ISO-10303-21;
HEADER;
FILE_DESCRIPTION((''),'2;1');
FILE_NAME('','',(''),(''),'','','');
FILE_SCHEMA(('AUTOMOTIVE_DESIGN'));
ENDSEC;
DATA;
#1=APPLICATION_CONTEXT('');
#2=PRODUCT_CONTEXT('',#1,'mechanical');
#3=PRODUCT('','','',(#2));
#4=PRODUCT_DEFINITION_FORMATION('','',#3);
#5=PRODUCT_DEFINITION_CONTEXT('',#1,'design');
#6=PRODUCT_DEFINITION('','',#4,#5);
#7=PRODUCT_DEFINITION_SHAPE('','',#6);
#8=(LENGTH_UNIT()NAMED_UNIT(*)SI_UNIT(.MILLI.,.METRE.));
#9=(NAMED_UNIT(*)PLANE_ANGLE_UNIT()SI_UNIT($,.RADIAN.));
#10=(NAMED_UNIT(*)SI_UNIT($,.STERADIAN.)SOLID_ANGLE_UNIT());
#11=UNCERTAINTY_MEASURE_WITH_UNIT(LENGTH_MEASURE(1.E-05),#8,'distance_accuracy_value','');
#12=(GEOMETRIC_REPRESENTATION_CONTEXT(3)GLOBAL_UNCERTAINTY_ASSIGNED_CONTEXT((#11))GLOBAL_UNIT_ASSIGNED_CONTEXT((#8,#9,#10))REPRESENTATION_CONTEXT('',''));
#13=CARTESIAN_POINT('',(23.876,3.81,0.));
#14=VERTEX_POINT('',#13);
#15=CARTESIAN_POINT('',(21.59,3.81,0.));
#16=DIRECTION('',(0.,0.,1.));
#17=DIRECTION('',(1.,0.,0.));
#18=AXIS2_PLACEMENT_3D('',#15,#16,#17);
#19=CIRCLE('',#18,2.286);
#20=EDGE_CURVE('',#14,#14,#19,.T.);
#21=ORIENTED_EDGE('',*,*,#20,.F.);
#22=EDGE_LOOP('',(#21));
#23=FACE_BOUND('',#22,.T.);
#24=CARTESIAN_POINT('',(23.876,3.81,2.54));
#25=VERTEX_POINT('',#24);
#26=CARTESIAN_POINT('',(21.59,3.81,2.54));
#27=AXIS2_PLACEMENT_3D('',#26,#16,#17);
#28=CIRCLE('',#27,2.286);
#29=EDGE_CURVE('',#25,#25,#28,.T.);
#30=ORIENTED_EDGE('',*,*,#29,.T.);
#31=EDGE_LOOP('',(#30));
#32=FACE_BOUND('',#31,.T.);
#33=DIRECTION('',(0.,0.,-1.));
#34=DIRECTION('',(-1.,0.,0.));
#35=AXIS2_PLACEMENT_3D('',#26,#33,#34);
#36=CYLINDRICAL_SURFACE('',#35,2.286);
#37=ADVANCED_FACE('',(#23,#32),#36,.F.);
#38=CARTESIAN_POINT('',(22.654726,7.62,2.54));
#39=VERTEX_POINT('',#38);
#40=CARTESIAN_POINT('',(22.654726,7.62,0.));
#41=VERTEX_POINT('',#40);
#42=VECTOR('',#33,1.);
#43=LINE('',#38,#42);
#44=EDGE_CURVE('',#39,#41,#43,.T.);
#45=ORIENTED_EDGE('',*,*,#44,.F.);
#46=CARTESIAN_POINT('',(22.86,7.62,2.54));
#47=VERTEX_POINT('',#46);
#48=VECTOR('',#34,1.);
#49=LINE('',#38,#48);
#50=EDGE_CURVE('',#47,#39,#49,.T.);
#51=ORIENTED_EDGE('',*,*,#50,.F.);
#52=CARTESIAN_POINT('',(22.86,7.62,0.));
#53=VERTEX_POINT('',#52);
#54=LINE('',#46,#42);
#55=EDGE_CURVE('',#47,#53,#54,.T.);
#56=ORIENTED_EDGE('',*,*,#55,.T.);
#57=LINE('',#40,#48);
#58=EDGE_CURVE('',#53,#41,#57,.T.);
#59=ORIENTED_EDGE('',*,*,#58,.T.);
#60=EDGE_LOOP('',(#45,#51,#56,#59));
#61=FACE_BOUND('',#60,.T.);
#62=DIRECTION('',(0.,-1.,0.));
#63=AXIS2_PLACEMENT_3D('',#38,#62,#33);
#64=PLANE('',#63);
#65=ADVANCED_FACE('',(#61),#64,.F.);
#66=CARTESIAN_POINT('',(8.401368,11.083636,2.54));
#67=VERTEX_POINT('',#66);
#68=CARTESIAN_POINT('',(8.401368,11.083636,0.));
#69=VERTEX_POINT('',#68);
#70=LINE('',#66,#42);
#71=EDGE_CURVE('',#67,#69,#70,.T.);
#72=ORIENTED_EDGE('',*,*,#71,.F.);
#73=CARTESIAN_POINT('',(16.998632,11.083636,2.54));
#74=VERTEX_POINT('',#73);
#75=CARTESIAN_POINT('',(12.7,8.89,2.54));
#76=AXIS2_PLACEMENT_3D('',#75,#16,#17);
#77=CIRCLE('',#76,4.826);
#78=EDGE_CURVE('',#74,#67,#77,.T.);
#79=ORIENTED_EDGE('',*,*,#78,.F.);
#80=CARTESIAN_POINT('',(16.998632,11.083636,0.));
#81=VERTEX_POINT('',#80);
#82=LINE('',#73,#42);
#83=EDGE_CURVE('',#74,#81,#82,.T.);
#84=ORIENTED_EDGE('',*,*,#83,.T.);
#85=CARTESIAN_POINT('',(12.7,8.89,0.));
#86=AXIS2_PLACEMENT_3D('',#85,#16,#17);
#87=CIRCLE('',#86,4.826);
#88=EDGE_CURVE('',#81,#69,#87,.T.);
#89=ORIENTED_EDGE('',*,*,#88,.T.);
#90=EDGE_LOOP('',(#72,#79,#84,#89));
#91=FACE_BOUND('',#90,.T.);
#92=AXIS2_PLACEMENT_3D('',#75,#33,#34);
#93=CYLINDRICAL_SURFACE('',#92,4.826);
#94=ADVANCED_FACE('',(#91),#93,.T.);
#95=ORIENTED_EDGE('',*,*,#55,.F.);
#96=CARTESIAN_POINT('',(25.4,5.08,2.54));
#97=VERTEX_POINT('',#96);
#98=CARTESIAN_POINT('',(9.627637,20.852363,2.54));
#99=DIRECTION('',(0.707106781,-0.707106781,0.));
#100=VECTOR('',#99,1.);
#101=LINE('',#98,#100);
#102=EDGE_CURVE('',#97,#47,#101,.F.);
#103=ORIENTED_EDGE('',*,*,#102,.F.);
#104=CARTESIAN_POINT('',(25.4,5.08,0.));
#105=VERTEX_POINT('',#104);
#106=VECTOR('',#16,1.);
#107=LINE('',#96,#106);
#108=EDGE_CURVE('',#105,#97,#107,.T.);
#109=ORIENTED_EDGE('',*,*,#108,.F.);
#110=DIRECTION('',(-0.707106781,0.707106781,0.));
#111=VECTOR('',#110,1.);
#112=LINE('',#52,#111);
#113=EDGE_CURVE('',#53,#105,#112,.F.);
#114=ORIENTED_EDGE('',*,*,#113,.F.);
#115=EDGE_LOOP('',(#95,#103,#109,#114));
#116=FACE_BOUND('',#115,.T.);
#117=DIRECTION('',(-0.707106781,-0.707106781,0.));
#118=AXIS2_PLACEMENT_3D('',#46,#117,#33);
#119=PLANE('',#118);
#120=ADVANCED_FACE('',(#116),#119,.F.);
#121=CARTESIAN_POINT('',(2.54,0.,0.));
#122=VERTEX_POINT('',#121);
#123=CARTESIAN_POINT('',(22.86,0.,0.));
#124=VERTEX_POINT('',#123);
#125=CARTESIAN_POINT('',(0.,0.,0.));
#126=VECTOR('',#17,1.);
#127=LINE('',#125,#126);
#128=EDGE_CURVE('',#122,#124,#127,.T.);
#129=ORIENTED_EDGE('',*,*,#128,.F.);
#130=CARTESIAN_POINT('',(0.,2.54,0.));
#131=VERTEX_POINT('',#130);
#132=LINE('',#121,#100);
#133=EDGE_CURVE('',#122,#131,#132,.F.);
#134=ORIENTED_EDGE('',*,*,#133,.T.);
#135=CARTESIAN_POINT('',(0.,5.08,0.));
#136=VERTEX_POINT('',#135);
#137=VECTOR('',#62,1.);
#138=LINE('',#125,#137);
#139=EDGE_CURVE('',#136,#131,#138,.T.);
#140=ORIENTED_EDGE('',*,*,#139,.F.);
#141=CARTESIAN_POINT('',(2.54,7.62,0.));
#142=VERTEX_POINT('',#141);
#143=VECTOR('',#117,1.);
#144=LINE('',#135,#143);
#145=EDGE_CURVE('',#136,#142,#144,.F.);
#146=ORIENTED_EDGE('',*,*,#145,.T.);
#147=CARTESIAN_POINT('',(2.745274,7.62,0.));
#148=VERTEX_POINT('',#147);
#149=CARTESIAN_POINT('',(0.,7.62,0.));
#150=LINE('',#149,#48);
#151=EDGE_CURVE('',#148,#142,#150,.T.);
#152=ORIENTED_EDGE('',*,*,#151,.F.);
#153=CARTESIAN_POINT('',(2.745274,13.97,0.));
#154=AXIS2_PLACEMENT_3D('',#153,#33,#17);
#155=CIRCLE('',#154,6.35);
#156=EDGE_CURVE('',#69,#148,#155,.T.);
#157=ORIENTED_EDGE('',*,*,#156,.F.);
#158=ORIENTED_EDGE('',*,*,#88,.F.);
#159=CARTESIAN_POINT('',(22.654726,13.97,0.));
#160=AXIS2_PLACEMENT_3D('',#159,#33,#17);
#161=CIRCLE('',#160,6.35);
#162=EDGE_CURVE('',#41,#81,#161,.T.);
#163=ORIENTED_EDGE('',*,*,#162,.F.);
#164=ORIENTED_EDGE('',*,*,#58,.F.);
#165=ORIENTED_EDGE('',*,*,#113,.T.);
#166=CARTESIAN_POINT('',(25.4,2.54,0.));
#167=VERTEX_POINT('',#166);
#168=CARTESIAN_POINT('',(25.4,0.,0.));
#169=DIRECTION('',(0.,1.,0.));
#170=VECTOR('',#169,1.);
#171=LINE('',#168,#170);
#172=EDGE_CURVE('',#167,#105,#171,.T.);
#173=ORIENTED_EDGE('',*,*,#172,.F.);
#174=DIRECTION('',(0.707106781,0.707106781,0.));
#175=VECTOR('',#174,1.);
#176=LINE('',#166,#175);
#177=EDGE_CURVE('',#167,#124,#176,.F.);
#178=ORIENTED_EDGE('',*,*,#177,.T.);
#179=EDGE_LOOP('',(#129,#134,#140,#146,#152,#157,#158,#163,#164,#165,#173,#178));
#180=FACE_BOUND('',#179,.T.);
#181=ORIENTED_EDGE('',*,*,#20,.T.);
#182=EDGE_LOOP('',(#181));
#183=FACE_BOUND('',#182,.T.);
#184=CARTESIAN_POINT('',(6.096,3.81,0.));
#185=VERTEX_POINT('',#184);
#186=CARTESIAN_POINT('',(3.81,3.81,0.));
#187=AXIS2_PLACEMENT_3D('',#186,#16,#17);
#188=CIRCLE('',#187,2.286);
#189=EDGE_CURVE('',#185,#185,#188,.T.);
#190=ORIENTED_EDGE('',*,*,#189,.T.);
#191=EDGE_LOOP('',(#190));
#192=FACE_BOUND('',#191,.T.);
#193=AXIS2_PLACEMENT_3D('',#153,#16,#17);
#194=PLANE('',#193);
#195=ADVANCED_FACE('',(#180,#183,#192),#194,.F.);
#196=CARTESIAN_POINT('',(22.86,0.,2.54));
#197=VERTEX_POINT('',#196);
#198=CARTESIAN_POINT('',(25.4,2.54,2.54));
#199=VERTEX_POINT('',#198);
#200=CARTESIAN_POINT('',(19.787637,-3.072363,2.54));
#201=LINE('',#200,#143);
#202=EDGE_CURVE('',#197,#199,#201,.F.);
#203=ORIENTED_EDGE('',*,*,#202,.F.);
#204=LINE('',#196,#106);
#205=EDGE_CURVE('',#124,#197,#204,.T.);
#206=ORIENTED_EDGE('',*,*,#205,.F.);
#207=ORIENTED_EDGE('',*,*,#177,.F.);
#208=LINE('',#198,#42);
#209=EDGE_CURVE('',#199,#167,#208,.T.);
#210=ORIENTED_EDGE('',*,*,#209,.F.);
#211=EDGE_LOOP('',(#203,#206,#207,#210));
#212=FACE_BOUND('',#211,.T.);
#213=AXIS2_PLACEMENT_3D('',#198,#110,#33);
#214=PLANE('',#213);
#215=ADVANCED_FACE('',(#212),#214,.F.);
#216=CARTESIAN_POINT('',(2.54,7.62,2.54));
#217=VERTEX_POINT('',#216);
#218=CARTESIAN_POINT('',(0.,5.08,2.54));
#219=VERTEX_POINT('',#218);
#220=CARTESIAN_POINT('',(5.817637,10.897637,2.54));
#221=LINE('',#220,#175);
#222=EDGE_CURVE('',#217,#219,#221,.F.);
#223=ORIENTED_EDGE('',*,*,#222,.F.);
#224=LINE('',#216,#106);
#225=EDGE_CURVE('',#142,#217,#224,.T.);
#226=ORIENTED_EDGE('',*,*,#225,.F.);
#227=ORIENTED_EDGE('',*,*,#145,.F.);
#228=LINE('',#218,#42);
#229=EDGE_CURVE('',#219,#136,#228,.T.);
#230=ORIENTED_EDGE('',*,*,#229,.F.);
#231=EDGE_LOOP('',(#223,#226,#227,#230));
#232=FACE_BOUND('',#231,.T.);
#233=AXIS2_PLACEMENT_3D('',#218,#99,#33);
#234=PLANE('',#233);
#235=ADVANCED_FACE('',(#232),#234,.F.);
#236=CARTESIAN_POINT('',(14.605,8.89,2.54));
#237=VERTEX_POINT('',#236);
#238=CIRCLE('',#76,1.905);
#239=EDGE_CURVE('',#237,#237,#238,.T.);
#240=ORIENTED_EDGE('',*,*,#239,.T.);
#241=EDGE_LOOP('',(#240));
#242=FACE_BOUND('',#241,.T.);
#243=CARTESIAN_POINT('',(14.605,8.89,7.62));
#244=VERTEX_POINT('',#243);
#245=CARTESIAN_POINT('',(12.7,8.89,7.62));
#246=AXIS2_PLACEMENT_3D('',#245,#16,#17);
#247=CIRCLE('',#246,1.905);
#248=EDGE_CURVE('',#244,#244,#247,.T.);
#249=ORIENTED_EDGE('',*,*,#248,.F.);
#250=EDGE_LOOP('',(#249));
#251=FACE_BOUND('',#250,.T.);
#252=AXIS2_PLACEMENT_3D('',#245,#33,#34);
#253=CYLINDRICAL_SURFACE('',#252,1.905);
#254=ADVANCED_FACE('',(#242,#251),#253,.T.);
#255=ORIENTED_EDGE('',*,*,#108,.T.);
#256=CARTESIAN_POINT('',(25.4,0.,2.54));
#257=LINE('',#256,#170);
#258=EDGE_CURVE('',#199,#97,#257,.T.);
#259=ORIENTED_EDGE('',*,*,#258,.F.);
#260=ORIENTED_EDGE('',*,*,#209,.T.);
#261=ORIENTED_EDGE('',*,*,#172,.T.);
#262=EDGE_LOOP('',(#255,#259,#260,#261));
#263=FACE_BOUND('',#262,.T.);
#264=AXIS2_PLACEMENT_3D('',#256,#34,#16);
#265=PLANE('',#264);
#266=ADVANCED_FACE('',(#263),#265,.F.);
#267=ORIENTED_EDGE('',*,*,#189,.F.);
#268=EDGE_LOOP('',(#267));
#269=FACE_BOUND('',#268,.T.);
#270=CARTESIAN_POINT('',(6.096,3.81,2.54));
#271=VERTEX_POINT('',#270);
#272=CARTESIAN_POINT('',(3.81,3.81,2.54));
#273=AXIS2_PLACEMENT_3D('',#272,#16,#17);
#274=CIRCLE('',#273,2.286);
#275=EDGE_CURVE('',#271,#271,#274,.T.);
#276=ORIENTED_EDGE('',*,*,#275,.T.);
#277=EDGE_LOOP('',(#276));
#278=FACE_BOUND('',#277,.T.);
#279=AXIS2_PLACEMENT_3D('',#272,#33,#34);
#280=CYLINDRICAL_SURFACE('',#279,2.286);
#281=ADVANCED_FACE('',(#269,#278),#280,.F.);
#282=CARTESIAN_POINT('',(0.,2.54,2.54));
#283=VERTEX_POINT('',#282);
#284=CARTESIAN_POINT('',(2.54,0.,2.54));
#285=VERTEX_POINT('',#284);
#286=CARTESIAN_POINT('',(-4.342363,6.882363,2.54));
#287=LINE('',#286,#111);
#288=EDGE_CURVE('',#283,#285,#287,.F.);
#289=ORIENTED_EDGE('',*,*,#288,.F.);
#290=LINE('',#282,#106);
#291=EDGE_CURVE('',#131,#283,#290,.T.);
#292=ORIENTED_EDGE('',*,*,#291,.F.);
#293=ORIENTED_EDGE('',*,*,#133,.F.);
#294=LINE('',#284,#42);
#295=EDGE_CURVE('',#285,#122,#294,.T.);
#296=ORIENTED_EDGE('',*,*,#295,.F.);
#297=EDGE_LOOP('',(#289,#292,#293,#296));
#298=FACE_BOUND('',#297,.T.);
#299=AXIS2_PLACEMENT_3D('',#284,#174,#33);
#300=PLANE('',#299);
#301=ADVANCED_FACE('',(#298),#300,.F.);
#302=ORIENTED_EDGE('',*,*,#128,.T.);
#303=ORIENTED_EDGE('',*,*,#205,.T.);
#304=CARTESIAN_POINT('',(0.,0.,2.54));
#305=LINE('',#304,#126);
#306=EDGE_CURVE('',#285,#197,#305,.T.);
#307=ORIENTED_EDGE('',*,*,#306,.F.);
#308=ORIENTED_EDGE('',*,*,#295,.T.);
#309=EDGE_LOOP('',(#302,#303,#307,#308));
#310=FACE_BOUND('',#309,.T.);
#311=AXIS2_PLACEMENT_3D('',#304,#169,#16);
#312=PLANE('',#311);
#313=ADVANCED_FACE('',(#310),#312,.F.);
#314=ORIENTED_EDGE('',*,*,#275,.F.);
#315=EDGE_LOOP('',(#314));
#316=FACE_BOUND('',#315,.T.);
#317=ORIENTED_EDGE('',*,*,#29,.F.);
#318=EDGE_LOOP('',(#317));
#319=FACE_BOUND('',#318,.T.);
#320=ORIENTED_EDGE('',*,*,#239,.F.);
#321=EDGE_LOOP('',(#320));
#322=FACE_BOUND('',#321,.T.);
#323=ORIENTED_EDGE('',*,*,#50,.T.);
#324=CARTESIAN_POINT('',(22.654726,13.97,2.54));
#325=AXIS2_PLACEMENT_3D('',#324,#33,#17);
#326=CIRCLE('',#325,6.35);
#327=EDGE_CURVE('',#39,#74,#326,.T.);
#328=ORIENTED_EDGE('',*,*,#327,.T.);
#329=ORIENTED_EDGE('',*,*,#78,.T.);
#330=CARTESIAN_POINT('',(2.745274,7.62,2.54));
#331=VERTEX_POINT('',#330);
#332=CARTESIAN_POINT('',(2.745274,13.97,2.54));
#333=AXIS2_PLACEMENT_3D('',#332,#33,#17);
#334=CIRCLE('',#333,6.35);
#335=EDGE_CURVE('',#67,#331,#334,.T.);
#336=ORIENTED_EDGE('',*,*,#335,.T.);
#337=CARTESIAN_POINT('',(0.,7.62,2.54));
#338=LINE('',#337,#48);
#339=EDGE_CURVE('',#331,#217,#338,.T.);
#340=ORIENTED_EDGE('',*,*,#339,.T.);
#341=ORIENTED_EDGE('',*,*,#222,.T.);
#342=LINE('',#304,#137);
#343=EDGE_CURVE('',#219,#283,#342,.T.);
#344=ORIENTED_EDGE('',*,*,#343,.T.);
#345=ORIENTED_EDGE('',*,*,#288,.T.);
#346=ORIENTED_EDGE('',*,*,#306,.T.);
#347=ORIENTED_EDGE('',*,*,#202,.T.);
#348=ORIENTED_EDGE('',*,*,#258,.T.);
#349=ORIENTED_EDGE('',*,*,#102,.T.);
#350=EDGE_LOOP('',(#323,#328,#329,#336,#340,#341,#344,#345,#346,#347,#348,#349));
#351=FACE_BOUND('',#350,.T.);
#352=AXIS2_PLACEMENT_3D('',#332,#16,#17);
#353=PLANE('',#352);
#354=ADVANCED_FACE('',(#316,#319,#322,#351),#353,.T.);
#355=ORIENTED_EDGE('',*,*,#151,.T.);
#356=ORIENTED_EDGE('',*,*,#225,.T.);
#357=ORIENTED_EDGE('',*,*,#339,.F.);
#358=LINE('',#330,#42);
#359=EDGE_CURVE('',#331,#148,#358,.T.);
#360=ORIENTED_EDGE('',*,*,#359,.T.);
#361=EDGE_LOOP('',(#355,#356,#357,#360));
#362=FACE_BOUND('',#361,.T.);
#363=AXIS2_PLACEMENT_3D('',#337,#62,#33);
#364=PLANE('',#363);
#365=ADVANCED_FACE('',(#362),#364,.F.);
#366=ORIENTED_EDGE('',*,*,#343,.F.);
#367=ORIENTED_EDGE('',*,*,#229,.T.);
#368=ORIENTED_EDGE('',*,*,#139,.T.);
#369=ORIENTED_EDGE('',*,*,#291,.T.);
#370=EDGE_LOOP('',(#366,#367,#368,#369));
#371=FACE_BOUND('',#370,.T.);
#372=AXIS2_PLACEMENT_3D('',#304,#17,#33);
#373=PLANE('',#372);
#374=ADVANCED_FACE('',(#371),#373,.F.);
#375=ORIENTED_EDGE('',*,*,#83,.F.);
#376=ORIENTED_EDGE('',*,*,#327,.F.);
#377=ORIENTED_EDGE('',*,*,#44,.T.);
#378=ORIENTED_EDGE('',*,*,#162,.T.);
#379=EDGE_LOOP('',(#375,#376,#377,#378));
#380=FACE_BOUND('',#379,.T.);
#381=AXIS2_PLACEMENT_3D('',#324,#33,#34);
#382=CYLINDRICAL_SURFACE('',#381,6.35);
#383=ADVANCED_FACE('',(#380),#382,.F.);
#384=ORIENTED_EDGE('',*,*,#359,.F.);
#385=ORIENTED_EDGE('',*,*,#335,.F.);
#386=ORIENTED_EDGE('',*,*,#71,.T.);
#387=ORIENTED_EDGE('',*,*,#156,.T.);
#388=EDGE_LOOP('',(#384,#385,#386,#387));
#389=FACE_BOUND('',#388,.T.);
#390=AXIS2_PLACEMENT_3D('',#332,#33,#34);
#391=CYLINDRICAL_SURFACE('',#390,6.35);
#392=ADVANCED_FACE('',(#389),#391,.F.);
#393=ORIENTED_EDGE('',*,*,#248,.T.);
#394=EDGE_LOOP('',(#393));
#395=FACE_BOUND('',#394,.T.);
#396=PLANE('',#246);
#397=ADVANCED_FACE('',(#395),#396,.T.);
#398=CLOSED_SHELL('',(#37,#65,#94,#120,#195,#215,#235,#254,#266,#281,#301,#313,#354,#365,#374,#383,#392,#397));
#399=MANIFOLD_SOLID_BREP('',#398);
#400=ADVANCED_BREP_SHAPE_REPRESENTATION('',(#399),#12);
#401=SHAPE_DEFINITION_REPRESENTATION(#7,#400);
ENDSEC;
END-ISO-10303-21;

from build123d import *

# Parameters (mm, degrees)
SKETCH1_R           = 2.286
BOSS_EXTRUDE1_DEPTH = 2.54
SKETCH2_R           = 1.905
BOSS_EXTRUDE2_DEPTH = 5.08
CHAMFER1_SIZE       = 2.54


with BuildPart() as part:
    # Sketch1 → Boss-Extrude1 (new body)
    with BuildSketch(Plane.XY):
        with BuildLine():
            Line((22.654726315, 7.62), (25.4, 7.62))
            Line((25.4, 7.62), (25.4, 0))
            Line((25.4, 0), (0, 0))
            Line((0, 0), (0, 7.62))
            Line((0, 7.62), (2.745273685, 7.62))
            ThreePointArc((2.745273685, 7.62), (6.061453031, 8.554701805), (8.401368182, 11.083636364))
            ThreePointArc((8.401368182, 11.083636364), (12.7, 13.716), (16.998631818, 11.083636364))
            ThreePointArc((16.998631818, 11.083636364), (19.338546969, 8.554701805), (22.654726315, 7.62))
        make_face()
        with Locations((3.81, 3.81)):
            Circle(SKETCH1_R, mode=Mode.SUBTRACT)
        with Locations((21.59, 3.81)):
            Circle(SKETCH1_R, mode=Mode.SUBTRACT)
    extrude(amount=BOSS_EXTRUDE1_DEPTH)

    # Sketch2 → Boss-Extrude2 (add)
    with BuildSketch(Plane.XY.offset(2.54)):
        with Locations((12.7, 8.89)):
            Circle(SKETCH2_R)
    extrude(amount=BOSS_EXTRUDE2_DEPTH)

    # Chamfer1
    chamfer1_edges = [part.edges().sort_by_distance(p)[0] for p in [
        (0, 7.62, 1.27),
        (25.4, 7.62, 1.27),
        (25.4, 0, 1.27),
        (0, 0, 1.27),
    ]]
    chamfer(chamfer1_edges, length=CHAMFER1_SIZE)


solid = part.part
